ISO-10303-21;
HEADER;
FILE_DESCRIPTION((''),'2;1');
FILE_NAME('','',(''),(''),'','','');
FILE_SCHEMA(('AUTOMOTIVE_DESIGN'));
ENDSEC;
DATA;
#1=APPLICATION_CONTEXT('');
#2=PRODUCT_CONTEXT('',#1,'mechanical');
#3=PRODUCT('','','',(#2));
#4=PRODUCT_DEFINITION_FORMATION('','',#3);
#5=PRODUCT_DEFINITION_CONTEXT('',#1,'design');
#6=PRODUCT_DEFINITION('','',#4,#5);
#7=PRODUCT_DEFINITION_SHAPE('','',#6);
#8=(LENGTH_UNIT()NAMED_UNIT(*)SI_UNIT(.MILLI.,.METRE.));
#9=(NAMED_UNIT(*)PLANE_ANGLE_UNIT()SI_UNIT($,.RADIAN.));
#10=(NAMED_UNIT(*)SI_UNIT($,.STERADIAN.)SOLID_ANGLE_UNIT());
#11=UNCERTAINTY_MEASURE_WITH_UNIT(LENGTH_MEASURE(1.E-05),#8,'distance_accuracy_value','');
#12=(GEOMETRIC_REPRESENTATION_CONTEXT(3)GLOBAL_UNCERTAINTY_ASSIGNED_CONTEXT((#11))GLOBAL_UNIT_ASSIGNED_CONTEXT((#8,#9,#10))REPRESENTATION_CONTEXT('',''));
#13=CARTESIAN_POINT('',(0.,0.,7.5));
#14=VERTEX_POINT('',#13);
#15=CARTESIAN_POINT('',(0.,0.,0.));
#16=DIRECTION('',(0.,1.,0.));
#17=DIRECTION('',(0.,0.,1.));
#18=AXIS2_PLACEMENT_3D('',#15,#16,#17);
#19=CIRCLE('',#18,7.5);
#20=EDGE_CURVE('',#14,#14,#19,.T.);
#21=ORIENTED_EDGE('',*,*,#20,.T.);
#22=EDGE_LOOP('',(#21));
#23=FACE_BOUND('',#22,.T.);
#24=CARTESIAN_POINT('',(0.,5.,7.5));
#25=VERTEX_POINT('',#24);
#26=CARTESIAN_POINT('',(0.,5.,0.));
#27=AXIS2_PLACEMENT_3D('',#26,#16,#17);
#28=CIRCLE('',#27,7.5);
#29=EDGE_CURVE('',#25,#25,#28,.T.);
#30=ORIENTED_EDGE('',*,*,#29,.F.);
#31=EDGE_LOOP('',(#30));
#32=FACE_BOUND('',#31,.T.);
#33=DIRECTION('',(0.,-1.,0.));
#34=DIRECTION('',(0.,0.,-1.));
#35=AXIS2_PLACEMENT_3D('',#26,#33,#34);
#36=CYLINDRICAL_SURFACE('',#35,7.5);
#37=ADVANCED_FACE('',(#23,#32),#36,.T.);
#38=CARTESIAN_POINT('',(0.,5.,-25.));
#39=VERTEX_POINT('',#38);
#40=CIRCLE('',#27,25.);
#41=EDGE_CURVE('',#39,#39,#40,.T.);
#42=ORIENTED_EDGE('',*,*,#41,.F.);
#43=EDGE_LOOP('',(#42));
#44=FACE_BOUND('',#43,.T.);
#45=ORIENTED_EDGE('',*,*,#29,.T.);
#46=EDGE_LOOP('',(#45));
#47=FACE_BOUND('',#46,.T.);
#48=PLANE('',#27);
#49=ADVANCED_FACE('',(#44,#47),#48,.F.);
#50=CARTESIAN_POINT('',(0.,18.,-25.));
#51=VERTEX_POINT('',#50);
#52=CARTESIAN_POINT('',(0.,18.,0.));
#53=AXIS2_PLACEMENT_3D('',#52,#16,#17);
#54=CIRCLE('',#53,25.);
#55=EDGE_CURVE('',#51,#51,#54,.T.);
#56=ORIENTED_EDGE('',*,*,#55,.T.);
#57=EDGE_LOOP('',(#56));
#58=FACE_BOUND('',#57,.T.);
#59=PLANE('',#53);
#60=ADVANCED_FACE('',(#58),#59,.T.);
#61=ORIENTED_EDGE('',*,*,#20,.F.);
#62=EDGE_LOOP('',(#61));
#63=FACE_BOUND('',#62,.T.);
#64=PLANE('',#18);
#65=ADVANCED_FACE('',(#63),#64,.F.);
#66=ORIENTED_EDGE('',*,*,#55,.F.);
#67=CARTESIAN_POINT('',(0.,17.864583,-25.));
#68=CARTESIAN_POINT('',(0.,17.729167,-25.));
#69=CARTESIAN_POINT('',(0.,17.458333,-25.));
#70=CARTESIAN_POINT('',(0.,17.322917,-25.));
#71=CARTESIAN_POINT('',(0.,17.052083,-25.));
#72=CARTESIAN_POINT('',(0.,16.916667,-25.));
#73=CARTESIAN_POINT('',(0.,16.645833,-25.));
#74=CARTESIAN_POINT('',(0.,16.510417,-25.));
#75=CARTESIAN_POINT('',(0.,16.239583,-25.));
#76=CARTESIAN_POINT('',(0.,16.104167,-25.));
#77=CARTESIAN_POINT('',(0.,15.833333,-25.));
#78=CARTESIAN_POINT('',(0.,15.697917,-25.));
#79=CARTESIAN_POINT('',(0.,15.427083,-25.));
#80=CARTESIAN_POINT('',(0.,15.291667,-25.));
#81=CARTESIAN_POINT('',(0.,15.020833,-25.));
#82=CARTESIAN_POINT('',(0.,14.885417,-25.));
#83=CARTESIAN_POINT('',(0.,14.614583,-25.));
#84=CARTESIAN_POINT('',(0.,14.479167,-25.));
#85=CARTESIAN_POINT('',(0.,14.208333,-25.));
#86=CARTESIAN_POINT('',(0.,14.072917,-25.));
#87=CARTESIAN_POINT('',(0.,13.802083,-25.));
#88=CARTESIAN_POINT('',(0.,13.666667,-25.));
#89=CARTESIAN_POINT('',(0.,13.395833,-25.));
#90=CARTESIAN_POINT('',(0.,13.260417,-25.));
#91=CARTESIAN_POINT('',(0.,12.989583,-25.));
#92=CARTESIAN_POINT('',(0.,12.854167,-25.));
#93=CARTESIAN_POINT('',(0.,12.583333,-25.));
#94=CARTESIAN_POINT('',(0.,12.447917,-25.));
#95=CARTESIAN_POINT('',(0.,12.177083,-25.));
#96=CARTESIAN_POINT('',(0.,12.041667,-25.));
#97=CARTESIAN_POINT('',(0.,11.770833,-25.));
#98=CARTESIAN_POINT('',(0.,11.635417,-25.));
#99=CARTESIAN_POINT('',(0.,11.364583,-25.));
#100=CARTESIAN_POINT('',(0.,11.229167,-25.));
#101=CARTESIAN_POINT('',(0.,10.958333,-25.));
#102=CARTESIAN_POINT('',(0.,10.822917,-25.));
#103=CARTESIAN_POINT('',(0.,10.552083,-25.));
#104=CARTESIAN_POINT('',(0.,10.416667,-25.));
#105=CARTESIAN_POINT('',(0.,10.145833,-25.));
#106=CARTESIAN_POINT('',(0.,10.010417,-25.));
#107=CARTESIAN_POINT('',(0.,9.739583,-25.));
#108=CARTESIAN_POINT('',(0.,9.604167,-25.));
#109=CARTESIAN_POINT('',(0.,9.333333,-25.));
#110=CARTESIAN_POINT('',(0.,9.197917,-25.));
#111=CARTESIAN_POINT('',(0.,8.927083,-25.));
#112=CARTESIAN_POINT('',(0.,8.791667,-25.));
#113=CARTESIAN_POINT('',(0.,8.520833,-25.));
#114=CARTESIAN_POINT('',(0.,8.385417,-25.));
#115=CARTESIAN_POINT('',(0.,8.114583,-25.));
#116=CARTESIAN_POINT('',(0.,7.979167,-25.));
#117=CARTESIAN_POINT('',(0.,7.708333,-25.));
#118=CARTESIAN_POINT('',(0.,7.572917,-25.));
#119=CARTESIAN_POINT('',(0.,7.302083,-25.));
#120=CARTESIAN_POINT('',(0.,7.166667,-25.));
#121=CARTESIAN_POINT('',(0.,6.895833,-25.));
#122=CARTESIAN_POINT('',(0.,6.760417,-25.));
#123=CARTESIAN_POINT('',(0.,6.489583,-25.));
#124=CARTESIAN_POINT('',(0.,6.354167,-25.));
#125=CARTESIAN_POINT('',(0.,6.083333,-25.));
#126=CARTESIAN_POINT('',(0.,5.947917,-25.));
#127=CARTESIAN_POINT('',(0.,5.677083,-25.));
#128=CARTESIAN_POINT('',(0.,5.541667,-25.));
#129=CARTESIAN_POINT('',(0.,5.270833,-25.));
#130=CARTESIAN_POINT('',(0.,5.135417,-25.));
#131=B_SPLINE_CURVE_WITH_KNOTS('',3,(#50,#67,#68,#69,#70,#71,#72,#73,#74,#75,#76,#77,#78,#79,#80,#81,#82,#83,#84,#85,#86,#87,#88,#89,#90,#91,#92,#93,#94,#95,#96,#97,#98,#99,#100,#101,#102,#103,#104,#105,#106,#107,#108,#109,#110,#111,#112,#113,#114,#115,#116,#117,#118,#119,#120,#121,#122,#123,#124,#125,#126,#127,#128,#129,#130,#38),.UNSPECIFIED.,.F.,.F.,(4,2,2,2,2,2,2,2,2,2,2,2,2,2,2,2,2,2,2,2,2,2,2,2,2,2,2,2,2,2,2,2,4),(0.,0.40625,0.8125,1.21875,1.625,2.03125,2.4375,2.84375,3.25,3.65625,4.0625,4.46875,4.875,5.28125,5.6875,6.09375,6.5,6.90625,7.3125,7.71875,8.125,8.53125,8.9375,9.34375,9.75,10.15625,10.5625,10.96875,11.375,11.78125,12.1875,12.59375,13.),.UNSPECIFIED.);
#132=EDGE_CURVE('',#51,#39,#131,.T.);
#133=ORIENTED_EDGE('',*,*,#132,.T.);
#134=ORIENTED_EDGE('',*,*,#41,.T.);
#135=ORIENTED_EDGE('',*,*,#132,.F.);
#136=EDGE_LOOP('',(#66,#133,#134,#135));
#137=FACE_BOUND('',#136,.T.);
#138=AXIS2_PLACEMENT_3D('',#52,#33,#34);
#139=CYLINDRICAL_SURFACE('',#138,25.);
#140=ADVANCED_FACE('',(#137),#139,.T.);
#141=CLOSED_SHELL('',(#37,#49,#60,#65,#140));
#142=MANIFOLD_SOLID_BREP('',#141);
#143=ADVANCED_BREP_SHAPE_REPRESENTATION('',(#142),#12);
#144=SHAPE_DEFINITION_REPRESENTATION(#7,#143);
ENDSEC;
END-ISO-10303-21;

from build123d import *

# Parameters (mm, degrees)
SKETCH1_R           = 7.5
BOSS_EXTRUDE1_DEPTH = 5
SKETCH2_R           = 25
BOSS_EXTRUDE2_DEPTH = 13


with BuildPart() as part:
    # Sketch1 → Boss-Extrude1 (new body)
    with BuildSketch(Plane(origin=(0, 0, 0), x_dir=(1, 0, 0), z_dir=(0, 1, 0))):
        with Locations(Location((0, 0, 0), (0, 0, 270))):
            Circle(SKETCH1_R)
    extrude(amount=BOSS_EXTRUDE1_DEPTH)

    # Sketch2 → Boss-Extrude2 (add)
    with BuildSketch(Plane(origin=(0, 5, 0), x_dir=(1, 0, 0), z_dir=(0, 1, 0))):
        with Locations(Location((0, 0, 0), (0, 0, 90))):
            Circle(SKETCH2_R)
    extrude(amount=BOSS_EXTRUDE2_DEPTH)


solid = part.part
